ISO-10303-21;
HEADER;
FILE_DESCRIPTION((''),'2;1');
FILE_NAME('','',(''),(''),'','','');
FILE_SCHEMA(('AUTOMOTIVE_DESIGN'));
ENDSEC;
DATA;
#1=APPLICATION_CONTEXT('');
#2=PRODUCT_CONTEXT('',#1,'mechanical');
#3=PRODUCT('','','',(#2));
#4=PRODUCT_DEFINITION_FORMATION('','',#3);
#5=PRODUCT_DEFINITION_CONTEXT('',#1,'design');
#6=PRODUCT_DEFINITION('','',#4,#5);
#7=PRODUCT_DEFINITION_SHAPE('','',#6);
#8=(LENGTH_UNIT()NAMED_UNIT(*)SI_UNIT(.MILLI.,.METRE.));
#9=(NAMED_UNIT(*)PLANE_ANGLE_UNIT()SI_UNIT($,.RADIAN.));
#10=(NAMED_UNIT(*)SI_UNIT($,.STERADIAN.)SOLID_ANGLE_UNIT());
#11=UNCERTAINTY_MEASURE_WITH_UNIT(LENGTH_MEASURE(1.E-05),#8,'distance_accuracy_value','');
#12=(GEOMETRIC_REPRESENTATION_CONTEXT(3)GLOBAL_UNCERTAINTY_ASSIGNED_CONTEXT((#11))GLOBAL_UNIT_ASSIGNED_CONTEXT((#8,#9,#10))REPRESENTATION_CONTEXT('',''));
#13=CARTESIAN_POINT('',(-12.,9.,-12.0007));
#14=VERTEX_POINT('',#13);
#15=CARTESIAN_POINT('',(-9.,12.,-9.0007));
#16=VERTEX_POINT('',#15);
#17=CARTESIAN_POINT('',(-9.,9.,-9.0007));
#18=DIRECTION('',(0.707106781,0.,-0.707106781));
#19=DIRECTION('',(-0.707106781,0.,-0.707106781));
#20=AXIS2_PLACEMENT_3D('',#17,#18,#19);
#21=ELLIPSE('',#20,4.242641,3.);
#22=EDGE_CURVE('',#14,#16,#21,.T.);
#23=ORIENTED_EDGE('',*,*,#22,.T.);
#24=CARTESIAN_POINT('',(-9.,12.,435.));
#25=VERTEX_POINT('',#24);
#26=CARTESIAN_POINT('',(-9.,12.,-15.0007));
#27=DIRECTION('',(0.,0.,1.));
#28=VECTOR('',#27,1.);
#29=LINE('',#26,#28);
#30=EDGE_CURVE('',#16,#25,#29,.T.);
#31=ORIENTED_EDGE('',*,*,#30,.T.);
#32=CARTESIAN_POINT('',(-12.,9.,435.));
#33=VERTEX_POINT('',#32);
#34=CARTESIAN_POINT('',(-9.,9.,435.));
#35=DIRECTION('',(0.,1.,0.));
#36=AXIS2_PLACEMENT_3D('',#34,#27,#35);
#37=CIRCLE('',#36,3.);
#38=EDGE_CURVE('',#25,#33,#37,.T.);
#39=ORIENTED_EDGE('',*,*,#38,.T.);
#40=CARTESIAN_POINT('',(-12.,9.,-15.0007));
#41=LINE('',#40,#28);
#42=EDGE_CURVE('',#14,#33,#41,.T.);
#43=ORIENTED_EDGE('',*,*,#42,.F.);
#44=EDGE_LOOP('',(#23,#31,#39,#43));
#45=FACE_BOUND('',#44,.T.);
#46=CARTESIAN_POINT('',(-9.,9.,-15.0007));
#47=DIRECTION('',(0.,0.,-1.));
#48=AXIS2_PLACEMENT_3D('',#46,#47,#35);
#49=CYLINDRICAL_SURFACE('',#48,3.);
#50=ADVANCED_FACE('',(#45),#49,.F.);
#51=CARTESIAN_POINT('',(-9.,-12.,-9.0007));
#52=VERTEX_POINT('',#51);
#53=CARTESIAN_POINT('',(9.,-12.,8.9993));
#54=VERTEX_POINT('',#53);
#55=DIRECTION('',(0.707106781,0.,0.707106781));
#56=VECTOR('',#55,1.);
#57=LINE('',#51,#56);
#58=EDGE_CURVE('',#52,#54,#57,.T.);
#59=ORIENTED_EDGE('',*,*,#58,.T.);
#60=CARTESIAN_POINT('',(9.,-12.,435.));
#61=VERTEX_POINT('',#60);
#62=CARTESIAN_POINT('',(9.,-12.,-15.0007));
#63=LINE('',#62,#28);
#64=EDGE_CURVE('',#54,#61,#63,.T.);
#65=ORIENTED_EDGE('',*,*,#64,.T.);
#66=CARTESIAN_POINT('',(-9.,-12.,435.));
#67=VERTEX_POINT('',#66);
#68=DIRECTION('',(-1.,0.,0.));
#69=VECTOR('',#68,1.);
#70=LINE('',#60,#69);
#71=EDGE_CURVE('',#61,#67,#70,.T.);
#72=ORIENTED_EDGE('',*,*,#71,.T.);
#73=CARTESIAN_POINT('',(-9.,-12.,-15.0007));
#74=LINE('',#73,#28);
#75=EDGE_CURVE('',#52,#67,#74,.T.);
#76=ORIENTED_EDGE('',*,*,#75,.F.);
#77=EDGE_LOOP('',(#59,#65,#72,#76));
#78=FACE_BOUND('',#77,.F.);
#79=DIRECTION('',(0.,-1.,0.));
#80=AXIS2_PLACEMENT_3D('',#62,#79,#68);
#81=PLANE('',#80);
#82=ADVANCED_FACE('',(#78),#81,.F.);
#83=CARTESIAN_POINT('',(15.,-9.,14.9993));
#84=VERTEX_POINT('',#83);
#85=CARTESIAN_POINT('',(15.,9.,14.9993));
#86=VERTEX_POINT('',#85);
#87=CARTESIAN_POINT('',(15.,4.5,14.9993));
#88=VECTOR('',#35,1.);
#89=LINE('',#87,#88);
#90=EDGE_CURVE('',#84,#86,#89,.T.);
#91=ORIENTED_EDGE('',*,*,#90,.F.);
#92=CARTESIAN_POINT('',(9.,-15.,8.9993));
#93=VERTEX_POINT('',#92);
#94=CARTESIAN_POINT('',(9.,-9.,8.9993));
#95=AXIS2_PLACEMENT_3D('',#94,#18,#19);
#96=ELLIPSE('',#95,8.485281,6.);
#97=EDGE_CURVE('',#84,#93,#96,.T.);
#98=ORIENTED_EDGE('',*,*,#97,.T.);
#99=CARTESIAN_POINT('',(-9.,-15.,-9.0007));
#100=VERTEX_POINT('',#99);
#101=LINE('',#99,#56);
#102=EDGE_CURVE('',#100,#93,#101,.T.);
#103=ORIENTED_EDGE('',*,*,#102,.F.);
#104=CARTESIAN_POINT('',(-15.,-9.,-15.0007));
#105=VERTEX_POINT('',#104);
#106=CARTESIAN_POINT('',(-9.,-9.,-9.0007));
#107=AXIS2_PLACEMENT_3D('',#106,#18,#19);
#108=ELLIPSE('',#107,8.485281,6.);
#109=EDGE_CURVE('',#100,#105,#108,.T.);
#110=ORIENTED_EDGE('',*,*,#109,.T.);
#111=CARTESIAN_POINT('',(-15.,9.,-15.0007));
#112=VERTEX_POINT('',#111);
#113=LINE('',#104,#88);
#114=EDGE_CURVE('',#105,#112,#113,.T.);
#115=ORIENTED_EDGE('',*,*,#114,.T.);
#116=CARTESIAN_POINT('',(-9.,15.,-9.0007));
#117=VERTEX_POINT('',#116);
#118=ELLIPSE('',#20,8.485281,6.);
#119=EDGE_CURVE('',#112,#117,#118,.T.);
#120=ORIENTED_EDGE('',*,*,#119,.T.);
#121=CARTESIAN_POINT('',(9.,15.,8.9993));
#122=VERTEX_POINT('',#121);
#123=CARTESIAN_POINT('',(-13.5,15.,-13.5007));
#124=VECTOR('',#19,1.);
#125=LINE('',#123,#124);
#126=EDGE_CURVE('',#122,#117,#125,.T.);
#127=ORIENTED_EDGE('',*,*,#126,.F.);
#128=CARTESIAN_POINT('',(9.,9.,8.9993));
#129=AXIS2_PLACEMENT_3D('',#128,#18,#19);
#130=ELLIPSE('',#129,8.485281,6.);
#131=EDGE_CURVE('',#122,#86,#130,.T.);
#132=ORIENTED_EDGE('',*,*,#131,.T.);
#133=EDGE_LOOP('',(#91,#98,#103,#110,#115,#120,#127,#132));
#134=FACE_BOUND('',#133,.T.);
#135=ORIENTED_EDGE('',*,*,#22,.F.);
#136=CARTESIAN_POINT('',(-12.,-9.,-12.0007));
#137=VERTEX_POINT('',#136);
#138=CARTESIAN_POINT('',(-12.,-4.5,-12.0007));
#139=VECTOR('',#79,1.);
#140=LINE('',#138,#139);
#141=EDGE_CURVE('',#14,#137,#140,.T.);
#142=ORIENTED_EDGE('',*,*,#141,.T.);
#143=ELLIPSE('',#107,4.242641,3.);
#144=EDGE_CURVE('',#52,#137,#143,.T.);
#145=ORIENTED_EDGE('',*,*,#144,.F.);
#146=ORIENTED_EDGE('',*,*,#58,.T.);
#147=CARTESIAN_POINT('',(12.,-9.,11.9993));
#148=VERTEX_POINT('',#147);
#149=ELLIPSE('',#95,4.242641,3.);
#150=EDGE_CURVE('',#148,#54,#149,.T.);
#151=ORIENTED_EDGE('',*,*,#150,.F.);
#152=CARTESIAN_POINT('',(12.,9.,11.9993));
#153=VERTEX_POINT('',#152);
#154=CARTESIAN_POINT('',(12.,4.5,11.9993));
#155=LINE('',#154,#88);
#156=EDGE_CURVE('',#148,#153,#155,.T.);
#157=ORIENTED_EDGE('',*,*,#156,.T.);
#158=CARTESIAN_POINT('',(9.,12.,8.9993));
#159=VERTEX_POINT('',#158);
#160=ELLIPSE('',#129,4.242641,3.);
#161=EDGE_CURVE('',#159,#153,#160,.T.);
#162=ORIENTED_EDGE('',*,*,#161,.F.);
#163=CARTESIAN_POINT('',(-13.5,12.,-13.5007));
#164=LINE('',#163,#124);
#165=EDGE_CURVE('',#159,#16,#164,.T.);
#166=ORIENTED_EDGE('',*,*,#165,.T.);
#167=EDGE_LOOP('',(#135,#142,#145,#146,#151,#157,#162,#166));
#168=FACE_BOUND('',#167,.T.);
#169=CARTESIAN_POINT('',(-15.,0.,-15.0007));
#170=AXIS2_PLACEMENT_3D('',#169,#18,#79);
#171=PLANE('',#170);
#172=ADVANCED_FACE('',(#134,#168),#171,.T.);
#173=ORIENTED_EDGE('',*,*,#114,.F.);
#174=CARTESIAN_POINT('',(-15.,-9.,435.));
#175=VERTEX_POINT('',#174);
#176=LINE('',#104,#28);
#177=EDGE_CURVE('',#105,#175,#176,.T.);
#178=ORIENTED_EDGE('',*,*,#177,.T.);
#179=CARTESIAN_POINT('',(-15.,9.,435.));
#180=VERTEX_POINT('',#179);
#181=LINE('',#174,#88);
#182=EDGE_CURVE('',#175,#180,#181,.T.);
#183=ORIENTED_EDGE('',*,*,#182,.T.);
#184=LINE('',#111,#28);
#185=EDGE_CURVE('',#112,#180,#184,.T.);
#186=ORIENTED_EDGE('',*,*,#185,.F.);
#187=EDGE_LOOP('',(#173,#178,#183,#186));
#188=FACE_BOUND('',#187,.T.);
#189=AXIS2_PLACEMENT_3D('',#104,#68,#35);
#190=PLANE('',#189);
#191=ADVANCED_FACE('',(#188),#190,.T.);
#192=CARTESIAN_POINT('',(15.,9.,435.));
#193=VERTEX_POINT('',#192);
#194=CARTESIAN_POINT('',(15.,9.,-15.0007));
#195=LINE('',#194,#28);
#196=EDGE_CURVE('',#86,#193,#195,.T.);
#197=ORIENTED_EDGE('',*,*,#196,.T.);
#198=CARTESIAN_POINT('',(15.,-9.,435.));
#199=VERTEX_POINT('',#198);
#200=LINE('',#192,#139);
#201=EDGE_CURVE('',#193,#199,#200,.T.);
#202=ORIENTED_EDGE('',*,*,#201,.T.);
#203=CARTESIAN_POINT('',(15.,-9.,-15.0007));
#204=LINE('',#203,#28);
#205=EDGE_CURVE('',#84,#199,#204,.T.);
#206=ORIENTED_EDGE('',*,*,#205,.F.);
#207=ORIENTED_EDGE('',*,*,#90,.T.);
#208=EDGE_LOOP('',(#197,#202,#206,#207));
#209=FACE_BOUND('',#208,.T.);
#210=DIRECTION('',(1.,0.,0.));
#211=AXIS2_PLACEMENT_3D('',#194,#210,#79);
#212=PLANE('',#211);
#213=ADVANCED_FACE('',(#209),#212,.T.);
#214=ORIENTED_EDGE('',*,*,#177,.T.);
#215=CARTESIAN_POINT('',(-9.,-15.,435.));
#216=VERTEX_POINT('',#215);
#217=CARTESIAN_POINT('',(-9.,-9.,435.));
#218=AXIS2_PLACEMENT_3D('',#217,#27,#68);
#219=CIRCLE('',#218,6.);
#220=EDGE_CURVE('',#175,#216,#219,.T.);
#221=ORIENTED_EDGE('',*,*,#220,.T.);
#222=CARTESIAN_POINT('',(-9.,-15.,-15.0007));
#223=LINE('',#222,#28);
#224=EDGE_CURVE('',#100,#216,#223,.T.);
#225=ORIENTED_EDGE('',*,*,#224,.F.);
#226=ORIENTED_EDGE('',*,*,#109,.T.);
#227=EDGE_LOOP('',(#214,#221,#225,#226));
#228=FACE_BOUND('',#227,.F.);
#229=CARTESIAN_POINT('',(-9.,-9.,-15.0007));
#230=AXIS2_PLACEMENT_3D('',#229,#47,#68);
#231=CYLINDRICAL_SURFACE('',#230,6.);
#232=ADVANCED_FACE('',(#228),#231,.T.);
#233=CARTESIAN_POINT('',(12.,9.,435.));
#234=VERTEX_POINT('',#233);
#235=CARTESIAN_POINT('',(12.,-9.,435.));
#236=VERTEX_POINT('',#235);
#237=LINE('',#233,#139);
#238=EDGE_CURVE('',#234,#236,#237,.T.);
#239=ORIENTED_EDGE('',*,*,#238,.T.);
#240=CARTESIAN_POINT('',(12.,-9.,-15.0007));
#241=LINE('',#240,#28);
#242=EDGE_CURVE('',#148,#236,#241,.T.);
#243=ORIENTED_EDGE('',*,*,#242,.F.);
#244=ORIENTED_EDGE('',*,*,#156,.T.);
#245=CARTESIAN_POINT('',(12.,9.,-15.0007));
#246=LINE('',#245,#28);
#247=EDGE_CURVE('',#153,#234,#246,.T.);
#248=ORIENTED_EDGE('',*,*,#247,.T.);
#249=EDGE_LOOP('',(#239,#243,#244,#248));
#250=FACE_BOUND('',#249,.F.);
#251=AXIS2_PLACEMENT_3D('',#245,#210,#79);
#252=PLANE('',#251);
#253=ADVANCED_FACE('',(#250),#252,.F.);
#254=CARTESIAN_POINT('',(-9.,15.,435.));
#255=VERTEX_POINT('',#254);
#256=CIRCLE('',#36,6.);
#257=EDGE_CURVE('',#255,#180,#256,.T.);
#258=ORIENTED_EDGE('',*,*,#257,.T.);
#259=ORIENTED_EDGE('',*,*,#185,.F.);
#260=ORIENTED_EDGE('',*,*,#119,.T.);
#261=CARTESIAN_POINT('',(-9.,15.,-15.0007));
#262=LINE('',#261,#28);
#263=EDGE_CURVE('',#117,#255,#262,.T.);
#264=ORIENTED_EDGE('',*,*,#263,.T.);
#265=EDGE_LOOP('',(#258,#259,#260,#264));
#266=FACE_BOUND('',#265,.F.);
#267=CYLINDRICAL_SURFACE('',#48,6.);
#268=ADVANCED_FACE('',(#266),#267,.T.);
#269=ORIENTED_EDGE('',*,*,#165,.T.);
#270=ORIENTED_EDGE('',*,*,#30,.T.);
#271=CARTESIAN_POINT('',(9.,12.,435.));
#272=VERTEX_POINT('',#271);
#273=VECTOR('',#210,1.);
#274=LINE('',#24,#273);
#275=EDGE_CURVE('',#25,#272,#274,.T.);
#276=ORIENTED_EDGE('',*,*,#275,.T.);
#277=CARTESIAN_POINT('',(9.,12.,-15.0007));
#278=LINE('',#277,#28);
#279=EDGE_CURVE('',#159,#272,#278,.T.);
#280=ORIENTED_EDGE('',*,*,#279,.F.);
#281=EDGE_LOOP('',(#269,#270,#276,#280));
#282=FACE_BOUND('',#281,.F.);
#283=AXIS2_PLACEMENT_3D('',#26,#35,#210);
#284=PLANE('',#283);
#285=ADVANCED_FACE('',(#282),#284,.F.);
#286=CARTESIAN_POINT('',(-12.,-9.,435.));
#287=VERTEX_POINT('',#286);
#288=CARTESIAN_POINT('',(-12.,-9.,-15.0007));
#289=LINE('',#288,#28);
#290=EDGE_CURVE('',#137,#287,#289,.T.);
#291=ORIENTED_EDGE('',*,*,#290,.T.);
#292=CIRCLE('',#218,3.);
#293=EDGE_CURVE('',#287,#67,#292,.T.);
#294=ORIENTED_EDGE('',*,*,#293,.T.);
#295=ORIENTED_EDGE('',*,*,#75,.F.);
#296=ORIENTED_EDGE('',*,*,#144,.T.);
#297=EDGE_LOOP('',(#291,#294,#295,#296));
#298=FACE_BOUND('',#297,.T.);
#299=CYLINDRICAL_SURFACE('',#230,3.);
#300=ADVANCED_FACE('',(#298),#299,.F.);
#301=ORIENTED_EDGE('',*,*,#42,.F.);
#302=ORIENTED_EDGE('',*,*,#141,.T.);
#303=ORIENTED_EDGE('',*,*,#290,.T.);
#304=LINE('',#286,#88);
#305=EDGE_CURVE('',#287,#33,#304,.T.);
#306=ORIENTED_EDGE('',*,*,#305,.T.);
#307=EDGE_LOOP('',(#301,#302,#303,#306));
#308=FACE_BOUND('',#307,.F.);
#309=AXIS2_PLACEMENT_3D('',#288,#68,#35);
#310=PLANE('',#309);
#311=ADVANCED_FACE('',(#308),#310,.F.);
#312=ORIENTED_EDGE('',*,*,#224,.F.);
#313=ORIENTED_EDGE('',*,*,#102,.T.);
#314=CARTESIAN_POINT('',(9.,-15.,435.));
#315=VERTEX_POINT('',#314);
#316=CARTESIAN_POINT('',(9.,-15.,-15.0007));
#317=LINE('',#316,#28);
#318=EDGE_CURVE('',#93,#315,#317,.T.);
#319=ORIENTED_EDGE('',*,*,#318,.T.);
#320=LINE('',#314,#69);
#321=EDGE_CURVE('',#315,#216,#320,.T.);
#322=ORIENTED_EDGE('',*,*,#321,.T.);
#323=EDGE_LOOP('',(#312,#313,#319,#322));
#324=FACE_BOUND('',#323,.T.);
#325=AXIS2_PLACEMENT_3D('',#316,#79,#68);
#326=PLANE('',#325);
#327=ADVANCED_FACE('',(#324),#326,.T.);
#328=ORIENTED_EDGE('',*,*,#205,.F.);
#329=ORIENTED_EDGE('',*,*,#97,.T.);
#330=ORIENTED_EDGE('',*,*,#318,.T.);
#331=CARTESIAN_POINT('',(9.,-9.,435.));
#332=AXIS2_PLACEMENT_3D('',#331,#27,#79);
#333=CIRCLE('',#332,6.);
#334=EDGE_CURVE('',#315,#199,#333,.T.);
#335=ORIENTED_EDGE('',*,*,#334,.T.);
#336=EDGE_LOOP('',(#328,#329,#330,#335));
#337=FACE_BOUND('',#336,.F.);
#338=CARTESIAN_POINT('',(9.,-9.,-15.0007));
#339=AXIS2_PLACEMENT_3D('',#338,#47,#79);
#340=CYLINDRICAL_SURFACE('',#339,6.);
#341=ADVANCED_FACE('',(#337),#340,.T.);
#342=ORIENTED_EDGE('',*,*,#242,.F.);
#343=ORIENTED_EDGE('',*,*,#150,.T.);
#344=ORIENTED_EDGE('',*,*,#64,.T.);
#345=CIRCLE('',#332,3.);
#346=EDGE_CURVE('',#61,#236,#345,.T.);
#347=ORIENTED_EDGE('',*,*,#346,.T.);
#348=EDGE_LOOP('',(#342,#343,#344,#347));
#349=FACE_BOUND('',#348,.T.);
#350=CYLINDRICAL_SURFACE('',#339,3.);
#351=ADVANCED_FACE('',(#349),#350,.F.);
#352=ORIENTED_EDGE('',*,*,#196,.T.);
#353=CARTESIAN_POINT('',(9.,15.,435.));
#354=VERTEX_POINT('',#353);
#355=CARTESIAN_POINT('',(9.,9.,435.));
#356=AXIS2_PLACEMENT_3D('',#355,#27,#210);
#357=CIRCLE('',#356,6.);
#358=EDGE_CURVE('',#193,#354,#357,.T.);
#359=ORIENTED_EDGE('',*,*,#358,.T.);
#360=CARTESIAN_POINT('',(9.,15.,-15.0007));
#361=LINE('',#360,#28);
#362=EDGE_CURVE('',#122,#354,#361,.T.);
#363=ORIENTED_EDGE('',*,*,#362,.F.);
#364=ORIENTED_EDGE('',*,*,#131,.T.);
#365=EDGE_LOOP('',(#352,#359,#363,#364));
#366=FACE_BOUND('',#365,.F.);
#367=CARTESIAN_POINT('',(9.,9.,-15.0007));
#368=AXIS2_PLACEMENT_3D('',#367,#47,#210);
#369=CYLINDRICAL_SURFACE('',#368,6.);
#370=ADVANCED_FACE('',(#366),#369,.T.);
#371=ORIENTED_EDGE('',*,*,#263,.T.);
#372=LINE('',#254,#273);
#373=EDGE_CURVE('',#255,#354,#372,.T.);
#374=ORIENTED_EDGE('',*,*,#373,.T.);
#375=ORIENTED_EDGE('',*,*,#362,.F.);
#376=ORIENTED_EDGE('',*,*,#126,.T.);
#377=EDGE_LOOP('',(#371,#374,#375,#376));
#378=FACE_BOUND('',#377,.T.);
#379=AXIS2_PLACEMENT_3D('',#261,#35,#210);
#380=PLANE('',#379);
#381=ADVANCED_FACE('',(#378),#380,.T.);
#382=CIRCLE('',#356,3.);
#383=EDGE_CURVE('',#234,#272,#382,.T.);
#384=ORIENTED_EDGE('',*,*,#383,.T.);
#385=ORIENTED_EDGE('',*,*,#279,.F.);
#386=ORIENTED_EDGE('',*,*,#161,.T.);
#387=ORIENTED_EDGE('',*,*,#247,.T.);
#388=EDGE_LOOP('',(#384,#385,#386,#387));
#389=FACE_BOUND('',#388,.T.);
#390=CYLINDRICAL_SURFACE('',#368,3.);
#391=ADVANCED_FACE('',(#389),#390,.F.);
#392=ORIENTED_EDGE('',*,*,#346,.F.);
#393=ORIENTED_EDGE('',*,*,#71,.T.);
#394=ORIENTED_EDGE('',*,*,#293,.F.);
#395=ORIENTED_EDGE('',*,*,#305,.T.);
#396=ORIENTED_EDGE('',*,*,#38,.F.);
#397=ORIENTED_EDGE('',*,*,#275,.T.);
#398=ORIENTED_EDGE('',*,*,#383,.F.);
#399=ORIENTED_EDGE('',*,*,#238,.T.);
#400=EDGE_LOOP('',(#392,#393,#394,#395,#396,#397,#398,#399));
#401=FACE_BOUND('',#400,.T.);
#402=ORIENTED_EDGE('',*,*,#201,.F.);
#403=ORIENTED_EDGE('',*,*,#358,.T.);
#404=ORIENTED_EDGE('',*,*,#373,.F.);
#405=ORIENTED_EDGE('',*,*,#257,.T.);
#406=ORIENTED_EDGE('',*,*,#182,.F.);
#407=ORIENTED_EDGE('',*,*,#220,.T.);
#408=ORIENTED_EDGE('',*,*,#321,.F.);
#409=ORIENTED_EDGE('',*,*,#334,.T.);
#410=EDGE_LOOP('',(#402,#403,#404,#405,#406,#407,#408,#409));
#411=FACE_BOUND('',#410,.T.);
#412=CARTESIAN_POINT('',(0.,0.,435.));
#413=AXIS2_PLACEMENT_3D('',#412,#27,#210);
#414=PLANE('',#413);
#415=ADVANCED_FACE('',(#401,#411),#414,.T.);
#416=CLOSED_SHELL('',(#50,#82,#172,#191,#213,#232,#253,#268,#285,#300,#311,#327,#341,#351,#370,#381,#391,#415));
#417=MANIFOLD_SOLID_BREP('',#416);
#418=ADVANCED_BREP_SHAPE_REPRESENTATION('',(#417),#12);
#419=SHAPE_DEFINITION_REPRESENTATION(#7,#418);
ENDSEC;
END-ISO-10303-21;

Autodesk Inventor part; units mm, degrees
ref_plane "Start Plane" through (0, 0, -15.0007) normal (0, 0, 1) x (1, 0, 0)
ref_plane "End Plane" through (0, 0, 435) normal (0, 0, 1) x (1, 0, 0)
sketch "Sketch" plane through (0, 0, 0) normal (0, 0, 1) x (1, 0, 0)
  line L0 (-15, -9) -> (-15, 9)
  line L1 (-9, 15) -> (9, 15)
  line L2 (15, 9) -> (15, -9)
  line L3 (9, -15) -> (-9, -15)
  arc A0 (-15, -9) -> (-9, -15) centre (-9, -9) ccw
  arc A1 (-9, 15) -> (-15, 9) centre (-9, 9) ccw
  arc A2 (15, 9) -> (9, 15) centre (9, 9) ccw
  arc A3 (9, -15) -> (15, -9) centre (9, -9) ccw
  arc A4 (-9, 12) -> (-12, 9) centre (-9, 9) ccw
  line L4 (-9, 12) -> (9, 12)
  arc A5 (12, 9) -> (9, 12) centre (9, 9) ccw
  line L5 (12, 9) -> (12, -9)
  arc A6 (9, -12) -> (12, -9) centre (9, -9) ccw
  line L6 (9, -12) -> (-9, -12)
  arc A7 (-12, -9) -> (-9, -12) centre (-9, -9) ccw
  line L7 (-12, -9) -> (-12, 9)
  line L8 (0, 22.7397) -> (0, -22.7397) construction
  line L9 (-22.7397, 0) -> (22.7397, 0) construction
  dimension "d7" = 6
  dimension "d10" = 30
  dimension "d11" = 30
  dimension "d12" = 3
  dimension "d15" = 15
  dimension "d16" = 15
extrude "Body" add sketch "Sketch" along normal up to surface (450.0007 mm away) from surface at -15.0007
sketch "Sketch3" plane through (0, 0, 0) normal (0, 0, 1) x (1, 0, 0)
  line L0 (0, 0) -> (10, 0)
ref_plane "Work Plane3" through (0, 0, 0) normal (0, -1, 0) x (1, 0, 0)
ref_plane "Work Plane5" through (-1140, -9, 435) normal (0, 0, 1) x (1, 0, 0)
split "Split2" plane through (-1140, -9, 435) removes the side toward (0, 0, 1)
ref_plane "Work Plane6" through (-15, 0, -15.0007) normal (0.7071, 0, -0.7071) x (-0.7071, 0, -0.7071)
split "Split3" plane through (-15, 0, -15.0007) removes the side toward (0.7071, 0, -0.7071)
sketch "Sketch4" plane through (0, 0, 0) normal (0, -1, 0) x (1, 0, 0)
  line L0 (-2, -15.0007) -> (12, -15.0007) projected
  line L1 (-2, 435) -> (12, 435) projected
  dimension "d18" = 450.0007
equation "\"d7\" = G_IR"
equation "\"d10\" = G_H"
equation "\"d11\" = G_W"
equation "\"d12\" = G_T"
equation "\"d15\" = 0.5 * d10"
equation "\"d16\" = 0.5 * d11"
equation "\"d3\" = G_L"
equation "\"G_W\" = 30"
equation "\"G_H\" = 30"
equation "\"G_T\" = 3"
equation "\"G_IR\" = 6"
equation "\"G_L\" = d18"
equation "\"G_OFFSET_START\" = 15.00066"
equation "\"G_OFFSET_END\" = -15"
equation "\"d13\" = -G_OFFSET_START"
equation "\"d14\" = G_OFFSET_END + B_L"
equation "\"B_L\" = 450"
properties part number "DIN EN 10219-2 - 30 x 30 x 3  - 450" material "Steel, Mild"
